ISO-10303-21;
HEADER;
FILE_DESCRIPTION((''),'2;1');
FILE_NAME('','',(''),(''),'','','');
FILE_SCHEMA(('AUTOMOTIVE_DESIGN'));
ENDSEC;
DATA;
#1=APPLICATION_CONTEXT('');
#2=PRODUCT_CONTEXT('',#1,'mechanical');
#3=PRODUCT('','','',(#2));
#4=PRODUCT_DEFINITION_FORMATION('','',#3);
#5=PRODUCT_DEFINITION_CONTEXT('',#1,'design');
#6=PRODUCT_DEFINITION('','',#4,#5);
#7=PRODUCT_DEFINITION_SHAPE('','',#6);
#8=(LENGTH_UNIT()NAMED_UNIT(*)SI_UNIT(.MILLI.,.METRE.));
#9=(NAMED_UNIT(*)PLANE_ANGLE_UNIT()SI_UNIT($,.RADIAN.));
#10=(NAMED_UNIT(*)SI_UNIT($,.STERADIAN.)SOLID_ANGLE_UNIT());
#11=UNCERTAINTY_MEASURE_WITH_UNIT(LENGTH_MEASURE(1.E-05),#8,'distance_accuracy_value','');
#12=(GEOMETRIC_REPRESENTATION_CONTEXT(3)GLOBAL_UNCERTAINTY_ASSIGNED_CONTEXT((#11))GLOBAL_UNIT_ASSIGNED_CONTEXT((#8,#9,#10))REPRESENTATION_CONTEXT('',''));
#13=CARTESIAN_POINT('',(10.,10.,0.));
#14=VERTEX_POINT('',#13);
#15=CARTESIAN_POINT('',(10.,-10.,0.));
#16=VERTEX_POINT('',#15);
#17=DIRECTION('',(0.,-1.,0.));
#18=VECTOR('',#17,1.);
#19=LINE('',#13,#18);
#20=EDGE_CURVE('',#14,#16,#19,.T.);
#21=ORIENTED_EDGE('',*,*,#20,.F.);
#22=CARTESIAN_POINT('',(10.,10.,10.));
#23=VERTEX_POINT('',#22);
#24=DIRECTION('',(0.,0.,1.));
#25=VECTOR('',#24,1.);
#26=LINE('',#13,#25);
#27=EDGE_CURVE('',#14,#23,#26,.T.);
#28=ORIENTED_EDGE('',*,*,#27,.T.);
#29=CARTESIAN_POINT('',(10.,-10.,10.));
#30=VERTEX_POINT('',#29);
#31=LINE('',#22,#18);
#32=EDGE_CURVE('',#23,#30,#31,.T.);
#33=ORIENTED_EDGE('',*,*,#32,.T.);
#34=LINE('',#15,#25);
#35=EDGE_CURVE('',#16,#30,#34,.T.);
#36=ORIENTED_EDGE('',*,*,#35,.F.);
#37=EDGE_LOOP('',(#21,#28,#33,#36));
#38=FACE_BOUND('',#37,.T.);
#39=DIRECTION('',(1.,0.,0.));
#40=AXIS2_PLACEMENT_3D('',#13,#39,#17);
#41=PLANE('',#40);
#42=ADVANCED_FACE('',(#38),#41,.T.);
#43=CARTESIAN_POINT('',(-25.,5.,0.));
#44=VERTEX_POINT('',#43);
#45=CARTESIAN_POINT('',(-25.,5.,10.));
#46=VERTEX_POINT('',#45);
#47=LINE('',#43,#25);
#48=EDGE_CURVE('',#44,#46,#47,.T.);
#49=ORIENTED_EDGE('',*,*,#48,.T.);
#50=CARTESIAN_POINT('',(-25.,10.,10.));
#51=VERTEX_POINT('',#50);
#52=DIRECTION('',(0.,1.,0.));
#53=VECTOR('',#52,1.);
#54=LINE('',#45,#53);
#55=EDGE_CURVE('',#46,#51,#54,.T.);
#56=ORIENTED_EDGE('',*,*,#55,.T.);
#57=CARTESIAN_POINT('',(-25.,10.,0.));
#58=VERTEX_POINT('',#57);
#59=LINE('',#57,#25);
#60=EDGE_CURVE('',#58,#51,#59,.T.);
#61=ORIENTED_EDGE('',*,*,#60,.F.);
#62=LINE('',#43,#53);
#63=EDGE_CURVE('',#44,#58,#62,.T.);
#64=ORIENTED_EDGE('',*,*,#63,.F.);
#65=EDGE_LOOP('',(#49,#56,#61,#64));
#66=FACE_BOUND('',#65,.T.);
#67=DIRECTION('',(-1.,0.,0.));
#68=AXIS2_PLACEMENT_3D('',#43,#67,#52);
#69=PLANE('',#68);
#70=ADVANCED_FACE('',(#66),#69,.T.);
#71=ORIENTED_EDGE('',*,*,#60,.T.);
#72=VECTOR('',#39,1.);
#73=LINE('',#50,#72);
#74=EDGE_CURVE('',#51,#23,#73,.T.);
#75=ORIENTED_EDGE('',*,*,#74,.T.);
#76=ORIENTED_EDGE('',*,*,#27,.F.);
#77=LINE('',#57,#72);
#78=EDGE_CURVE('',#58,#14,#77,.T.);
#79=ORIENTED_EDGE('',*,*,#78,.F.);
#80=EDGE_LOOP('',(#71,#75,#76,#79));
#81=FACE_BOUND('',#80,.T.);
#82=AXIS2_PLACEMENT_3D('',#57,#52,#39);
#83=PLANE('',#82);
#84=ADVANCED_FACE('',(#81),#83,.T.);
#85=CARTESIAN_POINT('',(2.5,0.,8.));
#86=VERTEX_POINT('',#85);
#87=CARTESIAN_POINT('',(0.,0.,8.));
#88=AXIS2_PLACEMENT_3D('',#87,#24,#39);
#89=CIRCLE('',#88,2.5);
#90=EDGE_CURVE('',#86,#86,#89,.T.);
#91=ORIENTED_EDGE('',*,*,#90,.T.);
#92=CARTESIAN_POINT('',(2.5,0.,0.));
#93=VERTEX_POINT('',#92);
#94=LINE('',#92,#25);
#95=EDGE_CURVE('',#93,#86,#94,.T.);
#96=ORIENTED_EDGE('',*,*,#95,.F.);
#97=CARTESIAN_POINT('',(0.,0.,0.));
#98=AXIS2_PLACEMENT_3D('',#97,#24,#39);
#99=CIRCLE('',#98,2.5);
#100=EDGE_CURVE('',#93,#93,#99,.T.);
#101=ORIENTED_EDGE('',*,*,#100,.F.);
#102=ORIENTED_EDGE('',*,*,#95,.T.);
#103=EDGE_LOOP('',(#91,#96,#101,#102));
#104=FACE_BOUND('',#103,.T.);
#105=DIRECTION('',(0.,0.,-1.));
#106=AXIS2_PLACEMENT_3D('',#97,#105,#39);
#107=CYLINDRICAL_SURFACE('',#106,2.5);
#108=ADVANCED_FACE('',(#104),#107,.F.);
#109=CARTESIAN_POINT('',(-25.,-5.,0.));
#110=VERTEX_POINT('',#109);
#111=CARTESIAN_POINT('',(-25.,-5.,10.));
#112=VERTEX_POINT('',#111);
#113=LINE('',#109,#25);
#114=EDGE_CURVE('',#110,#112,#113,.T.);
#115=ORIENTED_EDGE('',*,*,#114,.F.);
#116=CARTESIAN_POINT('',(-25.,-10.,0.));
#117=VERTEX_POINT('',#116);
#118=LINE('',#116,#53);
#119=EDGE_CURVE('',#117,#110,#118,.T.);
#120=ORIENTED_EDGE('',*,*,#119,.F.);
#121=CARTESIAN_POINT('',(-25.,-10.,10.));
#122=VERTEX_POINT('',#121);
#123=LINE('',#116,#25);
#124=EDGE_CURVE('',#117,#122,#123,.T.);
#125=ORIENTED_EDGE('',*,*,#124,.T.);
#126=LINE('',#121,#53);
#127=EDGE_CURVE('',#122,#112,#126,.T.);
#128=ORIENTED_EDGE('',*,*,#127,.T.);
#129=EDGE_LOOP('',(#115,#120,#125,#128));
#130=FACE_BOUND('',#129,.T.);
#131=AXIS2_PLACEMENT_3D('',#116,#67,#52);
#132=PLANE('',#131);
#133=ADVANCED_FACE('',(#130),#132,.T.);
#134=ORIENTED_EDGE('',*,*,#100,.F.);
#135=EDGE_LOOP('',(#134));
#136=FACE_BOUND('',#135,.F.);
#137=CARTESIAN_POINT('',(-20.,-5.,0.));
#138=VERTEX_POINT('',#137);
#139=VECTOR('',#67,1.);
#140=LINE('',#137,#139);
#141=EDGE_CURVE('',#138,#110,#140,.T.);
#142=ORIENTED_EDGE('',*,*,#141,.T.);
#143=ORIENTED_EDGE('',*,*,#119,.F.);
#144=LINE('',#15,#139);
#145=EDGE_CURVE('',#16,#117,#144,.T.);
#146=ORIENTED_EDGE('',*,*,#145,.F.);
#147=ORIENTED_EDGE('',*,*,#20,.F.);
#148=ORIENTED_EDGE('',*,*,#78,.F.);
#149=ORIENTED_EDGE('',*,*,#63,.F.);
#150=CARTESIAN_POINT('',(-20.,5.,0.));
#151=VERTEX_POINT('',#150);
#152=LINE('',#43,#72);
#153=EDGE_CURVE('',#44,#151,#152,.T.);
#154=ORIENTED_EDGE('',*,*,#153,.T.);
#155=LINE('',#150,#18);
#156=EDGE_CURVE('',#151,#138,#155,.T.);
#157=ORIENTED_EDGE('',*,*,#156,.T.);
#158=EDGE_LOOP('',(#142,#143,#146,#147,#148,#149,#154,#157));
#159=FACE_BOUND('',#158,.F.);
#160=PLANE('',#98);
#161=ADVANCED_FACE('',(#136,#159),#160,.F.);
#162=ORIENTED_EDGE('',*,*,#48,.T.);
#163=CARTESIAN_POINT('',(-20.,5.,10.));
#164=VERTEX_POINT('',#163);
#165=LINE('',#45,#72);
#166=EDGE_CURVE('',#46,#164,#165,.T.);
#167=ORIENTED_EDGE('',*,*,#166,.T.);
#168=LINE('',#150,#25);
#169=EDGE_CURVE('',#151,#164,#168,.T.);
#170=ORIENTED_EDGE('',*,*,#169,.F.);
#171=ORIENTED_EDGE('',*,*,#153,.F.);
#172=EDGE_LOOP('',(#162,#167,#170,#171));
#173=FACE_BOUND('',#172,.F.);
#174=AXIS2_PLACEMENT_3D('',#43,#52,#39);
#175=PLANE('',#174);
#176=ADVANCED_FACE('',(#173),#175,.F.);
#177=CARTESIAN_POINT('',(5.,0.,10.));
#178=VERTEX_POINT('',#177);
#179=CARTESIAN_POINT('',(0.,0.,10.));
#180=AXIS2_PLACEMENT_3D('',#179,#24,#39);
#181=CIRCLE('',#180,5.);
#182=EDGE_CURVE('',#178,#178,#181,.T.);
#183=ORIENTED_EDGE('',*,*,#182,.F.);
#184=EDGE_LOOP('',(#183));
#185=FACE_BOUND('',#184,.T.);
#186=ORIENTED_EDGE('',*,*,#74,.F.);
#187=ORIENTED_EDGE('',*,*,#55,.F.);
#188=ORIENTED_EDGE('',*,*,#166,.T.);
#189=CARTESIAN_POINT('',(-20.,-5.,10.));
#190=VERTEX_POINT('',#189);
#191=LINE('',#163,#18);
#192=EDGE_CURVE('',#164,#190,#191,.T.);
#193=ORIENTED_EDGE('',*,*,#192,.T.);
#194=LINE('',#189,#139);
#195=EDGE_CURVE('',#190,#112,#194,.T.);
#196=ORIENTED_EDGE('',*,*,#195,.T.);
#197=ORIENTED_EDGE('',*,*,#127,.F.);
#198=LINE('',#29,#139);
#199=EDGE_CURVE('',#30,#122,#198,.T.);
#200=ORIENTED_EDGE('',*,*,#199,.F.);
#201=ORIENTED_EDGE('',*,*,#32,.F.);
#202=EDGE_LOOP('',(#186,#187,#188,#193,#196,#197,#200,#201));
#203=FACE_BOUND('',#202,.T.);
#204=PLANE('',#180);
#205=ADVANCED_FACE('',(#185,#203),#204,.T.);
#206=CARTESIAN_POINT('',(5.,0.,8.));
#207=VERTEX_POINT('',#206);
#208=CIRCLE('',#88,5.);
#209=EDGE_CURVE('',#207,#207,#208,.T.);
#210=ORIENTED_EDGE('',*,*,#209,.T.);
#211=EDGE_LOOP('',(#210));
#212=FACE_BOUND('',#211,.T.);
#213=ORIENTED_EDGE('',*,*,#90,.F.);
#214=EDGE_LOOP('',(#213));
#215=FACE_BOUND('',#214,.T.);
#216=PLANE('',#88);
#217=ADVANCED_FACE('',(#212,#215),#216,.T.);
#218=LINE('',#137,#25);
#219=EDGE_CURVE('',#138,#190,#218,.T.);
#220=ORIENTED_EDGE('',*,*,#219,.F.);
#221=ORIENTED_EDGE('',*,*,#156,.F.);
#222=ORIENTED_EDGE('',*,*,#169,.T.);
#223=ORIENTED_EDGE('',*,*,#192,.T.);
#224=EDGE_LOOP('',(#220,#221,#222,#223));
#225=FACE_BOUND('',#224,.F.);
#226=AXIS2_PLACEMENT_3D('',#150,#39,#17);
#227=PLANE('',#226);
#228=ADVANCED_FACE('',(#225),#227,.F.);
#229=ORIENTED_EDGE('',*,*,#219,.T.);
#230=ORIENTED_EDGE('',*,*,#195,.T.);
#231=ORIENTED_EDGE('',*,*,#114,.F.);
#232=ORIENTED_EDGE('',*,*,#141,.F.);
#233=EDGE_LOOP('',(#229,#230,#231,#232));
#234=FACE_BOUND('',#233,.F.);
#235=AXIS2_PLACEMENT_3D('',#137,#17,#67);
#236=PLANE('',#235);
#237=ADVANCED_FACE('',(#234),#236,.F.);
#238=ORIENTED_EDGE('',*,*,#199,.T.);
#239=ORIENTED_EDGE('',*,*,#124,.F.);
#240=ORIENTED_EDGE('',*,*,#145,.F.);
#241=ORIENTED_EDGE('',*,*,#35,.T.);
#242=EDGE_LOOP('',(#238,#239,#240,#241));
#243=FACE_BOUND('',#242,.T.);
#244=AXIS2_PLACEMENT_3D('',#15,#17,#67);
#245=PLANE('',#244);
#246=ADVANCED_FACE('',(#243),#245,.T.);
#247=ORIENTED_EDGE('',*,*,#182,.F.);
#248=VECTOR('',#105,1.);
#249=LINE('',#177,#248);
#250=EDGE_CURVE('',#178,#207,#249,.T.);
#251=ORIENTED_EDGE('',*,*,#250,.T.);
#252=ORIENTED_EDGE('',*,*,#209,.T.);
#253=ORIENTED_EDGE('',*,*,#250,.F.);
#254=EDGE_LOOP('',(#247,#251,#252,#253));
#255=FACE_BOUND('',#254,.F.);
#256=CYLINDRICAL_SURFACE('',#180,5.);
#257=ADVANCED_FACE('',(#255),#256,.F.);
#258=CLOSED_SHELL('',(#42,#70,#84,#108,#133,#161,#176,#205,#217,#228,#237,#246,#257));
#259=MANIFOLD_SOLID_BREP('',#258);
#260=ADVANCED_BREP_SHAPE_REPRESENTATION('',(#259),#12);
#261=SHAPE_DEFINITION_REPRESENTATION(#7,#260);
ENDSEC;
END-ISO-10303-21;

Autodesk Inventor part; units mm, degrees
ref_plane "YZ Plane" through (0, 0, 0) normal (1, 0, 0) x (0, 1, 0)
ref_plane "XZ Plane" through (0, 0, 0) normal (0, 1, 0) x (-1, 0, 0)
ref_plane "XY Plane" through (0, 0, 0) normal (0, 0, 1) x (1, 0, 0)
sketch "Sketch1" plane through (0, 0, 0) normal (0, 0, 1) x (1, 0, 0)
  line L0 (-25, 10) -> (10, 10)
  line L1 (10, 10) -> (10, -10)
  line L2 (10, -10) -> (-25, -10)
  line L3 (-25, 5) -> (-20, 5)
  line L4 (-20, 5) -> (-20, -5)
  line L5 (-20, -5) -> (-25, -5)
  line L6 (-25, -10) -> (-25, -5)
  line L7 (-25, 5) -> (-25, 10)
  circle A0 centre (0, 0) radius 2.5
  point P0 (10, 0)
  dimension "d0" = 5
  dimension "d1" = 10
  dimension "d2" = 5
  dimension "d3" = 5
  dimension "d4" = 5
  dimension "d5" = 35
  dimension "d7" = 10
  dimension "d8" = 5
extrude "Extrusion1" add sketch "Sketch1" along normal blind 10
sketch "Sketch2" plane through (0, 0, 10) normal (0, 0, 1) x (1, 0, 0)
  circle A0 centre (0, 0) radius 2.5 projected
  circle A1 centre (0, 0) radius 5
  dimension "d11" = 10
extrude "Extrusion2" cut sketch "Sketch2" against normal blind 2
equation "\"BendRadius\" = Thickness"
equation "\"BendReliefWidth\" = Thickness"
equation "\"BendReliefDepth\" = 0.5 * Thickness"
equation "\"CornerReliefSize\" = 4 * Thickness"
equation "\"MinimumRemnant\" = 2 * Thickness"
equation "\"TransitionRadius\" = BendRadius"
equation "\"JacobiRadiusSize\" = BendRadius"
equation "\"GapSize\" = Thickness"
equation "\"Thickness\" = 0.5"
properties part number "lesson1"
